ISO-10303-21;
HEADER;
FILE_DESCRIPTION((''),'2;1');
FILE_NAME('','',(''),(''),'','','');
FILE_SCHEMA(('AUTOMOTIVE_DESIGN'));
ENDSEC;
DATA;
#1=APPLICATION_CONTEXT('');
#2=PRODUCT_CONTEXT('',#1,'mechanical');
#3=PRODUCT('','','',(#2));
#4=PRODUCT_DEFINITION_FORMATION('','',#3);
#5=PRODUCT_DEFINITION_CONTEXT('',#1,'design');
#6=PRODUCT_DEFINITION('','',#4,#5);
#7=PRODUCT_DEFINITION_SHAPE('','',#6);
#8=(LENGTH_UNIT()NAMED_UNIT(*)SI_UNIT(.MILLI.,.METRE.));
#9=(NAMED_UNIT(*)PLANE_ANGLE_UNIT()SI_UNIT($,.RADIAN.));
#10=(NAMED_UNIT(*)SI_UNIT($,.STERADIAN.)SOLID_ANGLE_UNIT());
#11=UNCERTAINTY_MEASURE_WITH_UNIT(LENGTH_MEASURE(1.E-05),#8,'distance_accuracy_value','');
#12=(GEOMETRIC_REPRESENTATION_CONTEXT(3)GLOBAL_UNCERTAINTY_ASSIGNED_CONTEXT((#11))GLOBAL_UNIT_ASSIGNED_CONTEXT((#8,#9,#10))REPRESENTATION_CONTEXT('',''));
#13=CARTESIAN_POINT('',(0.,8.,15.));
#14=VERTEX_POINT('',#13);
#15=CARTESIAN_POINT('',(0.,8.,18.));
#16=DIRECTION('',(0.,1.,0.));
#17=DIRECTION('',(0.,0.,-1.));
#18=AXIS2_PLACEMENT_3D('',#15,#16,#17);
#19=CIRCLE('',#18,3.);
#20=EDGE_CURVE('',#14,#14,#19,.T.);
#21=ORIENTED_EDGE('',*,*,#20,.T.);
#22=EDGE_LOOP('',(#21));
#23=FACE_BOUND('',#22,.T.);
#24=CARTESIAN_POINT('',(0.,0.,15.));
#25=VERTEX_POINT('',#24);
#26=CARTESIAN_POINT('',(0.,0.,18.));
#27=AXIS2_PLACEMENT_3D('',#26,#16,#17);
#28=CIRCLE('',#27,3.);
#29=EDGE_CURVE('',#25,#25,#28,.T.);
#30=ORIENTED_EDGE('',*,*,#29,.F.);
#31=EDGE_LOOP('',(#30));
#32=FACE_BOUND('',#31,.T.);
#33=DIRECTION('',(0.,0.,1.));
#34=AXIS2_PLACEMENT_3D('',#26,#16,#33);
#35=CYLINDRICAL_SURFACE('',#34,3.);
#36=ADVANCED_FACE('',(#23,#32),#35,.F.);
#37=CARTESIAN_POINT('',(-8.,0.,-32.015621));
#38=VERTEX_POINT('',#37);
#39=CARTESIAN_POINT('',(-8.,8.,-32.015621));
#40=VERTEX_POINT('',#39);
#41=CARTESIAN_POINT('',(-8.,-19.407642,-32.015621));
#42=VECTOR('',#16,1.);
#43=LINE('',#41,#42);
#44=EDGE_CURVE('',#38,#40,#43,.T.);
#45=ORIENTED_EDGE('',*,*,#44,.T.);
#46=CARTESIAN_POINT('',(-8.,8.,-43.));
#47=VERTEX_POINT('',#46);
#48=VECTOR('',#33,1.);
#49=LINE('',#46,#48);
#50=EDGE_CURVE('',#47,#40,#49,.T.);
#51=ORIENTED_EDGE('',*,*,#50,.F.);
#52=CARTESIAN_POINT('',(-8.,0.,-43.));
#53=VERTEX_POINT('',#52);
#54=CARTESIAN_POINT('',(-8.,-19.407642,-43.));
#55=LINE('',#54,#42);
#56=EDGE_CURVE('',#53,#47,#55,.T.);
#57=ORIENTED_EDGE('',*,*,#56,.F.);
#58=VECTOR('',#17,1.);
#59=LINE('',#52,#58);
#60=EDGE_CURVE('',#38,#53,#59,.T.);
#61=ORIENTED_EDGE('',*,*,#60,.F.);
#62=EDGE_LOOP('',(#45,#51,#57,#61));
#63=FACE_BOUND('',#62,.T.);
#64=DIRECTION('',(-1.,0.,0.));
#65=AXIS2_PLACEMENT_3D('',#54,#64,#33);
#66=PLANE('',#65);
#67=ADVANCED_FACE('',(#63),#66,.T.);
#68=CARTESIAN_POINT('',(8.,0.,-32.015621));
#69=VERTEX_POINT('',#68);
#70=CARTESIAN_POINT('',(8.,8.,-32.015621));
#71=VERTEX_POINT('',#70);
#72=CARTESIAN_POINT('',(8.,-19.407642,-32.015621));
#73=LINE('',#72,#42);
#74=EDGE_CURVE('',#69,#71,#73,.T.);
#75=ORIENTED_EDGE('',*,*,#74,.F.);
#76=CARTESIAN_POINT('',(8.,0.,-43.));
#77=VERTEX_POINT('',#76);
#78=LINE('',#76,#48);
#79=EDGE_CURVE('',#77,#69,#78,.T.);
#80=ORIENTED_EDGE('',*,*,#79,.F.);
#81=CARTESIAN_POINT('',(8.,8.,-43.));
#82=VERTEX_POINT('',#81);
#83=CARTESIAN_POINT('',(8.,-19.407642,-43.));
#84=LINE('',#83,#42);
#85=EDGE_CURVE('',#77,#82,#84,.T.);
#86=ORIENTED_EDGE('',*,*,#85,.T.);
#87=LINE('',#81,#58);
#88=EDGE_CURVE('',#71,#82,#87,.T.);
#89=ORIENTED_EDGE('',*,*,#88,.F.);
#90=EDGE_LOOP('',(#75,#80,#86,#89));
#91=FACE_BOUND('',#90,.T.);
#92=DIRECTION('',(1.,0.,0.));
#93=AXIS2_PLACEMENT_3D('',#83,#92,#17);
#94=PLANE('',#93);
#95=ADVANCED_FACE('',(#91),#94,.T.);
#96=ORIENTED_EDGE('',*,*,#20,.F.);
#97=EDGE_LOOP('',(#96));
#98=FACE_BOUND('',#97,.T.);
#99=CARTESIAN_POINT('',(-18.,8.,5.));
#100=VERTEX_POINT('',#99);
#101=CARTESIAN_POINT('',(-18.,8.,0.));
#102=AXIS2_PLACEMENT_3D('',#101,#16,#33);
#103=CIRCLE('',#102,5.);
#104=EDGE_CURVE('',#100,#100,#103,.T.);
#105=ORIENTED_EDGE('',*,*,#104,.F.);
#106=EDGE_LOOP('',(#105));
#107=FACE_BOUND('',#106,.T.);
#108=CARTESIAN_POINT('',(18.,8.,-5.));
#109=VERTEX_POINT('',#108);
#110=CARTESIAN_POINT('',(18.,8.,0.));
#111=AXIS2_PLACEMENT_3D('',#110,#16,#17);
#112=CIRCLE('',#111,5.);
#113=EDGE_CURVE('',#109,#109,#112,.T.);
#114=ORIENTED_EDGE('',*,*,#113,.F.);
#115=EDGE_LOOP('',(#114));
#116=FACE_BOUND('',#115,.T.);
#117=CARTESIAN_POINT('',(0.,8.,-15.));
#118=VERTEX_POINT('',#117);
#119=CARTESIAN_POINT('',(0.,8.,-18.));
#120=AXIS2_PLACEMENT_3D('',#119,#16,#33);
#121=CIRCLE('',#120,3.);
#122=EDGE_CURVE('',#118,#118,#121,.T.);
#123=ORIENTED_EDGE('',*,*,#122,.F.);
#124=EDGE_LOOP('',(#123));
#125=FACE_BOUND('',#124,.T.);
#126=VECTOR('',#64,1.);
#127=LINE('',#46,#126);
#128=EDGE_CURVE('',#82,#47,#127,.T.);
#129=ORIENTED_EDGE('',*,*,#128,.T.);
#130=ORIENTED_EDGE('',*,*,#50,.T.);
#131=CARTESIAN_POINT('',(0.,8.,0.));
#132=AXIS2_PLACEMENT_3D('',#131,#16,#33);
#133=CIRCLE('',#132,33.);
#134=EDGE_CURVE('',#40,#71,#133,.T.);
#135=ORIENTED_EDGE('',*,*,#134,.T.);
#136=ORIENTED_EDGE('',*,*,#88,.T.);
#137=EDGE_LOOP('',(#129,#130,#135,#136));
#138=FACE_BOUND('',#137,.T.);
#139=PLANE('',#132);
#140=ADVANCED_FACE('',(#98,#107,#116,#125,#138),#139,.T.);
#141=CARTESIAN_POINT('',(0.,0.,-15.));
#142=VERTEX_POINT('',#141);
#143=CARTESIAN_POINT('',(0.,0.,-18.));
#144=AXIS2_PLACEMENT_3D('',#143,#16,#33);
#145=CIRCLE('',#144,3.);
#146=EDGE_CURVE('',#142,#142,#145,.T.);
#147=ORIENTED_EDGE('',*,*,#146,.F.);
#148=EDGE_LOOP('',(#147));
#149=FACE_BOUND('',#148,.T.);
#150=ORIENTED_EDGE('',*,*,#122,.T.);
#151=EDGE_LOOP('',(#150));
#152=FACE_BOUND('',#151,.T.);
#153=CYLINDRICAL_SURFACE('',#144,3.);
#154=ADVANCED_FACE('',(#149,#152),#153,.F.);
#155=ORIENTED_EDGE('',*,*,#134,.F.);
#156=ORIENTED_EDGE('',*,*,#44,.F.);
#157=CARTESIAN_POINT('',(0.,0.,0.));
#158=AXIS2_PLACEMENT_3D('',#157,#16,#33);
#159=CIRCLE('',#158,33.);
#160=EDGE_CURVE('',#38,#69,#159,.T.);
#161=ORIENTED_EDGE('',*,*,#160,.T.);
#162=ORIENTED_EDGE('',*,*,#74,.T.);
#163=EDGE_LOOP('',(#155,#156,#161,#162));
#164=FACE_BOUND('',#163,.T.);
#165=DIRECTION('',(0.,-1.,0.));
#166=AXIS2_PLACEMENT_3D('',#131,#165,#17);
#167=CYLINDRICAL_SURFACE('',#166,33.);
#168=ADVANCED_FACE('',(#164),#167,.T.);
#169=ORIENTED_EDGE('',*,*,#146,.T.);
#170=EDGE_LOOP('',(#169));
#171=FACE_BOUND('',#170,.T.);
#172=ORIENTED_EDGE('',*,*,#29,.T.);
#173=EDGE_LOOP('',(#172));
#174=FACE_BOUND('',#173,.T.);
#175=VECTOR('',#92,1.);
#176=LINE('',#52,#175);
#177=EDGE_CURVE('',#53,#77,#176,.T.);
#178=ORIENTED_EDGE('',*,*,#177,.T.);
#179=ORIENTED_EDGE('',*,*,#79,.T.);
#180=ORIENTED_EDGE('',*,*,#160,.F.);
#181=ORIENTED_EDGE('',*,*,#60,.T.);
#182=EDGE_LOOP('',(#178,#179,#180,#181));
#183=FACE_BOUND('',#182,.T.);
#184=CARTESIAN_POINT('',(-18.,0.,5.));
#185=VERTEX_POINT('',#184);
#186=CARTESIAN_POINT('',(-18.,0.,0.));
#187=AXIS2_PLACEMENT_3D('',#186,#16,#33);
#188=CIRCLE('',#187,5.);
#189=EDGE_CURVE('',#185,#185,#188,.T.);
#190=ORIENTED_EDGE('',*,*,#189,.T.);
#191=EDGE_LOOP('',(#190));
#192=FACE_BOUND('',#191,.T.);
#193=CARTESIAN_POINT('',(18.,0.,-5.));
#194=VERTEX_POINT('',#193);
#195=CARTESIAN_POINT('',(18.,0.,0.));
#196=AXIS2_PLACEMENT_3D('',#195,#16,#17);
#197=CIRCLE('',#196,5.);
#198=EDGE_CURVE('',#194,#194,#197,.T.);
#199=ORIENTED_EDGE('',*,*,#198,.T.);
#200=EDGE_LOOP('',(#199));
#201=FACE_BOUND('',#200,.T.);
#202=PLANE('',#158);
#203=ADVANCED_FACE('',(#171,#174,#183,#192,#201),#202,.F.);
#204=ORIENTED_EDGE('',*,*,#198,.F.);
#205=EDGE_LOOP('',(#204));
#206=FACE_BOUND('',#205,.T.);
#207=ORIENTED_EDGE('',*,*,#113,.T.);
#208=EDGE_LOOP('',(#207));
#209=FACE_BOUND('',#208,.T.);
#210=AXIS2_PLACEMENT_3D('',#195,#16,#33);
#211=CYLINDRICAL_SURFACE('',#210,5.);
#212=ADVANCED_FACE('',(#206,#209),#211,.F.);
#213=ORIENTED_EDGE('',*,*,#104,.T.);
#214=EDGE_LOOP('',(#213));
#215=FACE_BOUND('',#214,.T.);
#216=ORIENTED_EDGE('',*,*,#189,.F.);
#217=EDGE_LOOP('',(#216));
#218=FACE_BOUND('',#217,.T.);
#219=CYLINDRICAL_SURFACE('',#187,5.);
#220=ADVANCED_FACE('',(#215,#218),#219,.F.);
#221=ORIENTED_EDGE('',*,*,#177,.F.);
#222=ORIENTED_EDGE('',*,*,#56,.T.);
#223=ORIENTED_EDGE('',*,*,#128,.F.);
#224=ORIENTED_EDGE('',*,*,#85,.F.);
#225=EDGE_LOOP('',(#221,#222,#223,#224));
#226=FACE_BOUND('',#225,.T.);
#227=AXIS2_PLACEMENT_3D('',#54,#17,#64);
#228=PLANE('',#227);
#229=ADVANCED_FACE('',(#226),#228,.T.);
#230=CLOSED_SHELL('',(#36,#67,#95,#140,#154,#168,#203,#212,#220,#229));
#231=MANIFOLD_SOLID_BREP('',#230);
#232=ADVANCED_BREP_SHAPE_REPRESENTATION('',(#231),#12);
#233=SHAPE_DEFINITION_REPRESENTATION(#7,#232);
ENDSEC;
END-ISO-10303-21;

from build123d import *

# Parameters (mm, degrees)
SKETCH1_R           = 33
BOSS_EXTRUDE1_DEPTH = 8
SKETCH2_W           = 16
SKETCH2_H           = 10.984378813
BOSS_EXTRUDE2_DEPTH = 8
SKETCH3_R           = 3
SKETCH3_R_2         = 5
CUT_EXTRUDE1_DEPTH  = 9


with BuildPart() as part:
    # Sketch1 → Boss-Extrude1 (new body)
    with BuildSketch(Plane(origin=(0, 0, 0), x_dir=(1, 0, 0), z_dir=(0, 1, 0))):
        Circle(SKETCH1_R)
    extrude(amount=BOSS_EXTRUDE1_DEPTH)

    # Sketch2 → Boss-Extrude2 (add)
    with BuildSketch(Plane(origin=(0, 8, 0), x_dir=(1, 0, 0), z_dir=(0, 1, 0))):
        with Locations((0, 37.507810593)):
            Rectangle(SKETCH2_W, SKETCH2_H)
    extrude(amount=-BOSS_EXTRUDE2_DEPTH)

    # Sketch3 → Cut-Extrude1 (cut, through all)
    with BuildSketch(Plane(origin=(0, 8, 0), x_dir=(1, 0, 0), z_dir=(0, 1, 0))):
        with Locations((0, 18)):
            Circle(SKETCH3_R)
        with Locations((-18, 0)):
            Circle(SKETCH3_R_2)
        with Locations((0, -18)):
            Circle(SKETCH3_R)
        with Locations((18, 0)):
            Circle(SKETCH3_R_2)
    extrude(amount=-CUT_EXTRUDE1_DEPTH, mode=Mode.SUBTRACT)


solid = part.part
